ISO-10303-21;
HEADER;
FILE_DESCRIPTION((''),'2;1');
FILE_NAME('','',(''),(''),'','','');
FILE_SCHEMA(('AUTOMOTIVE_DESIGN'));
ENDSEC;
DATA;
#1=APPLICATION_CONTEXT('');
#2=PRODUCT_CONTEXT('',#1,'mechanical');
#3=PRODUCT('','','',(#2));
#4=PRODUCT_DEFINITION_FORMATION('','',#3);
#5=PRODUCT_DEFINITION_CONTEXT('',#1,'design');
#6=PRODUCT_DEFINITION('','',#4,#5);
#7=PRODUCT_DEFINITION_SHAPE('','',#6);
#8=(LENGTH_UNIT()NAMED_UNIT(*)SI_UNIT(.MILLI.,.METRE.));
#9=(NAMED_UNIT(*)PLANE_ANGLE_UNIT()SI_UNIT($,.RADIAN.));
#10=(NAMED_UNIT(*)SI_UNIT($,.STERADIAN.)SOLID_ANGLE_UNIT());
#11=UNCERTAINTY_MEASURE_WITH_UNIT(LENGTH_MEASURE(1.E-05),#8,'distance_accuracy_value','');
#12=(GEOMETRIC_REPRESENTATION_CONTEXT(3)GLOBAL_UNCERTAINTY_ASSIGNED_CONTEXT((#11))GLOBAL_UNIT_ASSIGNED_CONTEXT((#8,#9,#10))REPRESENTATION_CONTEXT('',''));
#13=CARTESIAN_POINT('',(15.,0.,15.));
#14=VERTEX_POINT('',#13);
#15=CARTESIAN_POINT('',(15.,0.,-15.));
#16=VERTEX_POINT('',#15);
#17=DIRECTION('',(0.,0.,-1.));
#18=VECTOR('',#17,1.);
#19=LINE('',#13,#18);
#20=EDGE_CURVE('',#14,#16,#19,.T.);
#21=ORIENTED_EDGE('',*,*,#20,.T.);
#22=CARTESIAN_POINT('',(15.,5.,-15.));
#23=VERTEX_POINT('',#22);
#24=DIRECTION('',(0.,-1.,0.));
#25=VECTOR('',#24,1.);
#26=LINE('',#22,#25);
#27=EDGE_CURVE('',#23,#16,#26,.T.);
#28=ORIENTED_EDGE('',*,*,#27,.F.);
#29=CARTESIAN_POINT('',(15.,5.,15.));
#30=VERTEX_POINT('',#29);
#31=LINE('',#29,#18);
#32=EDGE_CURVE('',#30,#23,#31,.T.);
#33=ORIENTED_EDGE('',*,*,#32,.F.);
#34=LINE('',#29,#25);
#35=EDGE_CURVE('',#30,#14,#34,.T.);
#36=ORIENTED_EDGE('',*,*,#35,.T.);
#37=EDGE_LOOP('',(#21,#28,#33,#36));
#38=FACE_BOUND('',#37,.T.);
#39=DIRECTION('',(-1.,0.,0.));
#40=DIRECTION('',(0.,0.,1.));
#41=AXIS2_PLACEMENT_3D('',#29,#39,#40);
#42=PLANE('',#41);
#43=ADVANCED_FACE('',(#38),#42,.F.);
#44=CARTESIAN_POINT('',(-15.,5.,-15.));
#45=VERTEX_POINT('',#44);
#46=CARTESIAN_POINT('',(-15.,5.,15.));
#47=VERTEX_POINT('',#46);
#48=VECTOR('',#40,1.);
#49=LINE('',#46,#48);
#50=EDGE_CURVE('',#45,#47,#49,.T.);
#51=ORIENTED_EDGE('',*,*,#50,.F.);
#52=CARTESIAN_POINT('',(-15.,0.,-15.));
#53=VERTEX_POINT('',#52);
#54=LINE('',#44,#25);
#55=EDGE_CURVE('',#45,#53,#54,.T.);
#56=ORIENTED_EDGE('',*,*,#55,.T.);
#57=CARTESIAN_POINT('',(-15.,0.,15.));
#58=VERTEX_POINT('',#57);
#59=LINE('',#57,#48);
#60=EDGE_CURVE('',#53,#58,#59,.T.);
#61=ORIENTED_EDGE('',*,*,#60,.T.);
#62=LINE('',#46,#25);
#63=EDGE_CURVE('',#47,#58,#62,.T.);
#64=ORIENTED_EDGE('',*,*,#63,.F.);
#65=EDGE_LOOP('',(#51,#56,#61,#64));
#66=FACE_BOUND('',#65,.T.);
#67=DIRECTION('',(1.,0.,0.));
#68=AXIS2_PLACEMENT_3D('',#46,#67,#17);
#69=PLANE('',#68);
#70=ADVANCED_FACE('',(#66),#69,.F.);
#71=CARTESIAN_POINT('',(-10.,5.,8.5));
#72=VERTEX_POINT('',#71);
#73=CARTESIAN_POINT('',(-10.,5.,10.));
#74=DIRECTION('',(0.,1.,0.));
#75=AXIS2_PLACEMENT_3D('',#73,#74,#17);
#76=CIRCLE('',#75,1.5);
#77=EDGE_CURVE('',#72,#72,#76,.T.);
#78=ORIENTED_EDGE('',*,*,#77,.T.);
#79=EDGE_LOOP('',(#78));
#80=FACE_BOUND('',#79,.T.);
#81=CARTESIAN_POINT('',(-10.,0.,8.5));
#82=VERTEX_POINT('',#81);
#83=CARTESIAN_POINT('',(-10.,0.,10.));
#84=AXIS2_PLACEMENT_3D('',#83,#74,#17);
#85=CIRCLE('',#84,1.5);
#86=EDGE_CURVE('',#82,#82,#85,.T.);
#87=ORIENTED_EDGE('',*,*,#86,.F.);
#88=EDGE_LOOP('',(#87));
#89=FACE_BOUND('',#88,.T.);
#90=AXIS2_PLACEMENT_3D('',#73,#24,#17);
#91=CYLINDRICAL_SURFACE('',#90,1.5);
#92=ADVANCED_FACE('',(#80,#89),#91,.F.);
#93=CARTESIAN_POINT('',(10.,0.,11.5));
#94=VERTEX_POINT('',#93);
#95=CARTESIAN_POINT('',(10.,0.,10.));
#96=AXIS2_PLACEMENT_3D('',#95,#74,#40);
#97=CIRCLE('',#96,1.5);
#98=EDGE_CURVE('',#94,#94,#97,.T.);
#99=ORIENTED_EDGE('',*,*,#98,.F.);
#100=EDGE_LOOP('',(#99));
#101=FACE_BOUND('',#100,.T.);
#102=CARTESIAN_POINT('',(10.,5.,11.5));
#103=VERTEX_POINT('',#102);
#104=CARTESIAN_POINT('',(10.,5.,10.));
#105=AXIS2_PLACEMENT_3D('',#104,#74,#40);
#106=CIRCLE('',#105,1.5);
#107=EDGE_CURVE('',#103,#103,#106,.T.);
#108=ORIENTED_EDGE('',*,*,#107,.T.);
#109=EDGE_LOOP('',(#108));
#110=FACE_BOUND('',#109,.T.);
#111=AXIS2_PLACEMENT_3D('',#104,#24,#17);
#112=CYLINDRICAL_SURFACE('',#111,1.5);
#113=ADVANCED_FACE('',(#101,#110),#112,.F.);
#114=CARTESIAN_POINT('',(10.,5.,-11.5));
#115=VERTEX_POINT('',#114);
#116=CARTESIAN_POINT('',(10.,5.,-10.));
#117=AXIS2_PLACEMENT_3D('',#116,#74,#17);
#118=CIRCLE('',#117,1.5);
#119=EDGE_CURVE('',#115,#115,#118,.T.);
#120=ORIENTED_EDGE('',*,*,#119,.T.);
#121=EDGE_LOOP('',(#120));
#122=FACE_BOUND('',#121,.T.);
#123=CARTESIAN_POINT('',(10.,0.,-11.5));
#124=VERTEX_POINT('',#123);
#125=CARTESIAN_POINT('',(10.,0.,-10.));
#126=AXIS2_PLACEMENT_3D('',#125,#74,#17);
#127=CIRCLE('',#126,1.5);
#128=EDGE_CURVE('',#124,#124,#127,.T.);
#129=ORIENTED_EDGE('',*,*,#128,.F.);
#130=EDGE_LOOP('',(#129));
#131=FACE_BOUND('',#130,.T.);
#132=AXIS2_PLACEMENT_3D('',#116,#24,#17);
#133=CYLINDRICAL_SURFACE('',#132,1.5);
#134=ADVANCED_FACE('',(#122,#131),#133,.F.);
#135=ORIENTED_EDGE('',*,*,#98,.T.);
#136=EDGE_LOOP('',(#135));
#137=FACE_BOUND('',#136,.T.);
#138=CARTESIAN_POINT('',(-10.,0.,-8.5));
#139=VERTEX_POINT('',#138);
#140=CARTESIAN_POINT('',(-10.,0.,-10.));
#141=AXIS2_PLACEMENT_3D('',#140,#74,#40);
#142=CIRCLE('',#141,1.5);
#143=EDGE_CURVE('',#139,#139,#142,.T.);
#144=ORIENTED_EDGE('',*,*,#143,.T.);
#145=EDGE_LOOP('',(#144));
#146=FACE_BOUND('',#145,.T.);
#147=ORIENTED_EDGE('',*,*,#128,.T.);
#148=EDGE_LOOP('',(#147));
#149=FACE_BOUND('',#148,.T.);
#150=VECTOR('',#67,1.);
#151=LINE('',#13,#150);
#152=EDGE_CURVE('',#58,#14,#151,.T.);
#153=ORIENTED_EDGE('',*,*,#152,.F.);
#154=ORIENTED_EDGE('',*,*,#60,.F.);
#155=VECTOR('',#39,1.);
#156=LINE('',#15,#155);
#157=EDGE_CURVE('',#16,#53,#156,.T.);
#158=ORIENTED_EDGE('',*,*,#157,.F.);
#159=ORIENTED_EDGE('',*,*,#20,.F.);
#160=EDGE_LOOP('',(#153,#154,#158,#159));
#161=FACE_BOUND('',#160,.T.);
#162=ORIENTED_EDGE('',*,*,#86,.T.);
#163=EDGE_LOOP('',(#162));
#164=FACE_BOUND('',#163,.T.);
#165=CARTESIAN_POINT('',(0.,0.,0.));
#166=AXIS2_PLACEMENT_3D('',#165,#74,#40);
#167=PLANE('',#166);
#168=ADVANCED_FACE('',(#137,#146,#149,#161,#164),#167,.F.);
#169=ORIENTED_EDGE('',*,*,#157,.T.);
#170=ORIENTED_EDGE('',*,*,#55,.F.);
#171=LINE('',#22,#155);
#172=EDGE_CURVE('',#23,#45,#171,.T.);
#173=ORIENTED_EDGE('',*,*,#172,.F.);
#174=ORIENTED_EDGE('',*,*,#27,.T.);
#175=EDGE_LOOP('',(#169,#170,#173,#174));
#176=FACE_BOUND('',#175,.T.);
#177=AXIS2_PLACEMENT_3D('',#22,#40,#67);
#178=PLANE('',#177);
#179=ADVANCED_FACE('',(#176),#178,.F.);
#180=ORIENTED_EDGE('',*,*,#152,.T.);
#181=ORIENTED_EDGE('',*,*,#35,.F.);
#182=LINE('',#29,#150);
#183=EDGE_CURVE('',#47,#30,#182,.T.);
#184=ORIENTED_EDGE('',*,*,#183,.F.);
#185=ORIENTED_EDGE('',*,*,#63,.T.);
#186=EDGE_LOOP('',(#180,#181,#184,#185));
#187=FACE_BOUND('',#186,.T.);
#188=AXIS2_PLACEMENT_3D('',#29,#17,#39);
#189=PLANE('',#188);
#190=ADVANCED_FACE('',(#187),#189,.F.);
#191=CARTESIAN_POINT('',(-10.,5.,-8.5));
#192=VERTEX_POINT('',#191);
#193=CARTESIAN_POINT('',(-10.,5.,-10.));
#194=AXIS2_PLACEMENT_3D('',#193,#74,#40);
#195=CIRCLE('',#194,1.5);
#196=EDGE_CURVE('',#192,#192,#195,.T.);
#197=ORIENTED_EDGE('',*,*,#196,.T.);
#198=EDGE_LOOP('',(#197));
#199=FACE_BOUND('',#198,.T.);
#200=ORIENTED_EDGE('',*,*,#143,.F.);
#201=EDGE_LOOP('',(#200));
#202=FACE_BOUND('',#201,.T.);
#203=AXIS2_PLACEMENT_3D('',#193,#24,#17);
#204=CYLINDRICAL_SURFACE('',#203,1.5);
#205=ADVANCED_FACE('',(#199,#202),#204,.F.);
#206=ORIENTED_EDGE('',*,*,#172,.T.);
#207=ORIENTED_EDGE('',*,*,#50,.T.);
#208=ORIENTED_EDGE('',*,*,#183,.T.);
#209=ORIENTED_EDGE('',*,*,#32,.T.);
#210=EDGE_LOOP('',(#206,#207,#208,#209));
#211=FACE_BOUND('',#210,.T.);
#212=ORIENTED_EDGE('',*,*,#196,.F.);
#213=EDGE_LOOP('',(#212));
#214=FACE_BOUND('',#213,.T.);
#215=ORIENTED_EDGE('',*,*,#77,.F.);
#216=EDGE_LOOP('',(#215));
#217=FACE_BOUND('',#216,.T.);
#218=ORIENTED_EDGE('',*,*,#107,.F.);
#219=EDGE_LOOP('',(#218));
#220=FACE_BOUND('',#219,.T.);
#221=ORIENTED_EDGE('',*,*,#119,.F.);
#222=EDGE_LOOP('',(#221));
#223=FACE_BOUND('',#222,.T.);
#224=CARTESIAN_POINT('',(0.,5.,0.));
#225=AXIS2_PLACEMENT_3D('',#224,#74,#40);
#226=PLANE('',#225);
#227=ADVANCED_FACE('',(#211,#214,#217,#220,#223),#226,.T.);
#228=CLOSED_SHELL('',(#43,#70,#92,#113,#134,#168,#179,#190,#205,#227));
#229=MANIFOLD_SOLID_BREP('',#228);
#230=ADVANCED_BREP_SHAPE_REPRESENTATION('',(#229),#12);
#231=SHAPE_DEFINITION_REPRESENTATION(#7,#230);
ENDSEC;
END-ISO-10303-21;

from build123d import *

# Parameters (mm, degrees)
SKETCH_1_W      = 30
SKETCH_1_H      = 30
SKETCH_1_R      = 1.5
EXTRUDE_1_DEPTH = 5


with BuildPart() as part:
    # 草图1 → 凸台-拉伸1 (new body)
    with BuildSketch(Plane(origin=(0, 0, 0), x_dir=(1, 0, 0), z_dir=(0, 1, 0))):
        Rectangle(SKETCH_1_W, SKETCH_1_H)
        with Locations((-10, 10)):
            Circle(SKETCH_1_R, mode=Mode.SUBTRACT)
        with Locations((10, 10)):
            Circle(SKETCH_1_R, mode=Mode.SUBTRACT)
        with Locations((10, -10)):
            Circle(SKETCH_1_R, mode=Mode.SUBTRACT)
        with Locations((-10, -10)):
            Circle(SKETCH_1_R, mode=Mode.SUBTRACT)
    extrude(amount=EXTRUDE_1_DEPTH)


solid = part.part
